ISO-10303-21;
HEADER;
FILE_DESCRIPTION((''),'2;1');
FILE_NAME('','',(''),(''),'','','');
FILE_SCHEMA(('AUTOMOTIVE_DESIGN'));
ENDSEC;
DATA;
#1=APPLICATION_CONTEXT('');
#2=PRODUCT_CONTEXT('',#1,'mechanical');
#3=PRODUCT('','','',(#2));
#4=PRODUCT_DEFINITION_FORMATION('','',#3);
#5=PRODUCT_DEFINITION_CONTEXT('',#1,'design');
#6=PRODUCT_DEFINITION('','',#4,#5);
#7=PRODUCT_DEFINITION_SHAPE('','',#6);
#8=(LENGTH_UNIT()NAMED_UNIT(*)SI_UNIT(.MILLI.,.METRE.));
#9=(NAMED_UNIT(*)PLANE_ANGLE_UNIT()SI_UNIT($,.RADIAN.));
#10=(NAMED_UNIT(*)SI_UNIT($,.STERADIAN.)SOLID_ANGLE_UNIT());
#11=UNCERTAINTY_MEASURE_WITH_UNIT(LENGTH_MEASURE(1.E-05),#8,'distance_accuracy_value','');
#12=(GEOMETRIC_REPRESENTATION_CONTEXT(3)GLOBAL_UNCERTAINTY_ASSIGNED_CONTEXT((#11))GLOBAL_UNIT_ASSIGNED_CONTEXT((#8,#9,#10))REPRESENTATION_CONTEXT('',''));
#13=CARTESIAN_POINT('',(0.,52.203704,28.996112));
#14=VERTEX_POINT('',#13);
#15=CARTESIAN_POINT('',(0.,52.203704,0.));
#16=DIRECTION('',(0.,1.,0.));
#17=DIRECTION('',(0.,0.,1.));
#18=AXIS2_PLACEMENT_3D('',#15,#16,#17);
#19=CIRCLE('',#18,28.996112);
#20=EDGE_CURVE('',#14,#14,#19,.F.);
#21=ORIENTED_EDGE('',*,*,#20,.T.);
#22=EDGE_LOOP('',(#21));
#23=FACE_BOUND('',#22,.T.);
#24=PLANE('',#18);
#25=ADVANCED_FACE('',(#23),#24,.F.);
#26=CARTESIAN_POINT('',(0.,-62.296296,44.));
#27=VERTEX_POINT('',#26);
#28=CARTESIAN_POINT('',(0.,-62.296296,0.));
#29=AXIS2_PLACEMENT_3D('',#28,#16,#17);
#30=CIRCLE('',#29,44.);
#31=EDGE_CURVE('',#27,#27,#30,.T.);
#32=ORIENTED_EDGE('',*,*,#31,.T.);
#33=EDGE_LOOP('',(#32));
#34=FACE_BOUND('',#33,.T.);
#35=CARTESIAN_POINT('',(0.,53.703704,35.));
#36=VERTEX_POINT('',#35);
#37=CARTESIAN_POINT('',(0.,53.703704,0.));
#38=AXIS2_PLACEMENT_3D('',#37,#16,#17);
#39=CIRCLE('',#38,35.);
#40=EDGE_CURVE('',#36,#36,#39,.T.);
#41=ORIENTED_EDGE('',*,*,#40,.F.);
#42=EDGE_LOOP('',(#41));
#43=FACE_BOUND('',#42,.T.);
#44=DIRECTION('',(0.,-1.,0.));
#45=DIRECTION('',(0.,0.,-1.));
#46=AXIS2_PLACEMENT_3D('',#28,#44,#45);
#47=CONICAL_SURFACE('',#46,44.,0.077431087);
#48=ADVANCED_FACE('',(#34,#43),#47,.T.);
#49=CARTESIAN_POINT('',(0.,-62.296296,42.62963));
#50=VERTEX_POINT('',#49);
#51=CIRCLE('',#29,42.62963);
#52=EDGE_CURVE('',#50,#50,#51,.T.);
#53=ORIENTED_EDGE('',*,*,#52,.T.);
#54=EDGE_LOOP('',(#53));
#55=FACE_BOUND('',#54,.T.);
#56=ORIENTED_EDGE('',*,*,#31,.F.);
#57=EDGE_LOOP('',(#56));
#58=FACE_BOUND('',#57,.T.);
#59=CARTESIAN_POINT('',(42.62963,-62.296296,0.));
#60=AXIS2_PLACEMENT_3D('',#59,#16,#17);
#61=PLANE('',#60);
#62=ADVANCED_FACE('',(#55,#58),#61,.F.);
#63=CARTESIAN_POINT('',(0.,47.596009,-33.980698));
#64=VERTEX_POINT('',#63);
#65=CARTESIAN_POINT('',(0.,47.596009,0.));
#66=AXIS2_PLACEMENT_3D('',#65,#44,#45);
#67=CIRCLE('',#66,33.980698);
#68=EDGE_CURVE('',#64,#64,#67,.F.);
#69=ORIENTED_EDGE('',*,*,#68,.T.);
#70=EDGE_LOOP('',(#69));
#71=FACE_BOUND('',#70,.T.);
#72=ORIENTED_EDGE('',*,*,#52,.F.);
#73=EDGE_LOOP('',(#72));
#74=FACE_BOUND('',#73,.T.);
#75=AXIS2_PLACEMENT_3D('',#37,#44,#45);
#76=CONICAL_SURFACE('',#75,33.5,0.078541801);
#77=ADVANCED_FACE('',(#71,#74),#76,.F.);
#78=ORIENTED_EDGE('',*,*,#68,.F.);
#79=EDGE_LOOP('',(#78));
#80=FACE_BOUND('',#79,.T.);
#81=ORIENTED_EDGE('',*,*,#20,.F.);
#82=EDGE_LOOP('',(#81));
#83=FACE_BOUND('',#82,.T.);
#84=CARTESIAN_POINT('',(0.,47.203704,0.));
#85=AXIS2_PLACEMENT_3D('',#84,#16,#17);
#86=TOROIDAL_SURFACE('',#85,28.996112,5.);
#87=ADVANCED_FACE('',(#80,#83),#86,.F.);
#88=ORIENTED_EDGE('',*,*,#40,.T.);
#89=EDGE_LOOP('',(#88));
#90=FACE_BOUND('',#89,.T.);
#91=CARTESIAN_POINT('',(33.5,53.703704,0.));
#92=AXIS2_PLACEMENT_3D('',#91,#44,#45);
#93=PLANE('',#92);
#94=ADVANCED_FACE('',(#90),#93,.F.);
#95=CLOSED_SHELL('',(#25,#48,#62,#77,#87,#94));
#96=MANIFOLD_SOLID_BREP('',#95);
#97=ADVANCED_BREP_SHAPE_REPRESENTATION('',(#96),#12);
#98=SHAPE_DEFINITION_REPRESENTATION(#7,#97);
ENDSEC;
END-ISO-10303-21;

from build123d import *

# Parameters (mm, degrees)
SKETCH2_R           = 35
BOSS_EXTRUDE1_DEPTH = 1.5
FILLET1_R           = 5


with BuildPart() as part:
    # Sketch1 → Revolve1 (revolve)
    with BuildSketch(Plane.XY):
        Polygon((35, 53.703703704), (44, -62.296296296), (42.62962963, -62.296296296), (33.5, 53.703703704), align=None)
    revolve(axis=Axis((0, 53.703703704, 0), (0, -1, 0)))

    # Sketch2 → Boss-Extrude1 (add)
    with BuildSketch(Plane(origin=(0, 53.703703704, 0), x_dir=(1, 0, 0), z_dir=(0, 1, 0))):
        Circle(SKETCH2_R)
    extrude(amount=-BOSS_EXTRUDE1_DEPTH)

    # Fillet1
    fillet1_edges = [part.edges().sort_by_distance(p)[0] for p in [
        (-33.618055556, 52.203703704, 0),
    ]]
    fillet(fillet1_edges, radius=FILLET1_R)


solid = part.part
